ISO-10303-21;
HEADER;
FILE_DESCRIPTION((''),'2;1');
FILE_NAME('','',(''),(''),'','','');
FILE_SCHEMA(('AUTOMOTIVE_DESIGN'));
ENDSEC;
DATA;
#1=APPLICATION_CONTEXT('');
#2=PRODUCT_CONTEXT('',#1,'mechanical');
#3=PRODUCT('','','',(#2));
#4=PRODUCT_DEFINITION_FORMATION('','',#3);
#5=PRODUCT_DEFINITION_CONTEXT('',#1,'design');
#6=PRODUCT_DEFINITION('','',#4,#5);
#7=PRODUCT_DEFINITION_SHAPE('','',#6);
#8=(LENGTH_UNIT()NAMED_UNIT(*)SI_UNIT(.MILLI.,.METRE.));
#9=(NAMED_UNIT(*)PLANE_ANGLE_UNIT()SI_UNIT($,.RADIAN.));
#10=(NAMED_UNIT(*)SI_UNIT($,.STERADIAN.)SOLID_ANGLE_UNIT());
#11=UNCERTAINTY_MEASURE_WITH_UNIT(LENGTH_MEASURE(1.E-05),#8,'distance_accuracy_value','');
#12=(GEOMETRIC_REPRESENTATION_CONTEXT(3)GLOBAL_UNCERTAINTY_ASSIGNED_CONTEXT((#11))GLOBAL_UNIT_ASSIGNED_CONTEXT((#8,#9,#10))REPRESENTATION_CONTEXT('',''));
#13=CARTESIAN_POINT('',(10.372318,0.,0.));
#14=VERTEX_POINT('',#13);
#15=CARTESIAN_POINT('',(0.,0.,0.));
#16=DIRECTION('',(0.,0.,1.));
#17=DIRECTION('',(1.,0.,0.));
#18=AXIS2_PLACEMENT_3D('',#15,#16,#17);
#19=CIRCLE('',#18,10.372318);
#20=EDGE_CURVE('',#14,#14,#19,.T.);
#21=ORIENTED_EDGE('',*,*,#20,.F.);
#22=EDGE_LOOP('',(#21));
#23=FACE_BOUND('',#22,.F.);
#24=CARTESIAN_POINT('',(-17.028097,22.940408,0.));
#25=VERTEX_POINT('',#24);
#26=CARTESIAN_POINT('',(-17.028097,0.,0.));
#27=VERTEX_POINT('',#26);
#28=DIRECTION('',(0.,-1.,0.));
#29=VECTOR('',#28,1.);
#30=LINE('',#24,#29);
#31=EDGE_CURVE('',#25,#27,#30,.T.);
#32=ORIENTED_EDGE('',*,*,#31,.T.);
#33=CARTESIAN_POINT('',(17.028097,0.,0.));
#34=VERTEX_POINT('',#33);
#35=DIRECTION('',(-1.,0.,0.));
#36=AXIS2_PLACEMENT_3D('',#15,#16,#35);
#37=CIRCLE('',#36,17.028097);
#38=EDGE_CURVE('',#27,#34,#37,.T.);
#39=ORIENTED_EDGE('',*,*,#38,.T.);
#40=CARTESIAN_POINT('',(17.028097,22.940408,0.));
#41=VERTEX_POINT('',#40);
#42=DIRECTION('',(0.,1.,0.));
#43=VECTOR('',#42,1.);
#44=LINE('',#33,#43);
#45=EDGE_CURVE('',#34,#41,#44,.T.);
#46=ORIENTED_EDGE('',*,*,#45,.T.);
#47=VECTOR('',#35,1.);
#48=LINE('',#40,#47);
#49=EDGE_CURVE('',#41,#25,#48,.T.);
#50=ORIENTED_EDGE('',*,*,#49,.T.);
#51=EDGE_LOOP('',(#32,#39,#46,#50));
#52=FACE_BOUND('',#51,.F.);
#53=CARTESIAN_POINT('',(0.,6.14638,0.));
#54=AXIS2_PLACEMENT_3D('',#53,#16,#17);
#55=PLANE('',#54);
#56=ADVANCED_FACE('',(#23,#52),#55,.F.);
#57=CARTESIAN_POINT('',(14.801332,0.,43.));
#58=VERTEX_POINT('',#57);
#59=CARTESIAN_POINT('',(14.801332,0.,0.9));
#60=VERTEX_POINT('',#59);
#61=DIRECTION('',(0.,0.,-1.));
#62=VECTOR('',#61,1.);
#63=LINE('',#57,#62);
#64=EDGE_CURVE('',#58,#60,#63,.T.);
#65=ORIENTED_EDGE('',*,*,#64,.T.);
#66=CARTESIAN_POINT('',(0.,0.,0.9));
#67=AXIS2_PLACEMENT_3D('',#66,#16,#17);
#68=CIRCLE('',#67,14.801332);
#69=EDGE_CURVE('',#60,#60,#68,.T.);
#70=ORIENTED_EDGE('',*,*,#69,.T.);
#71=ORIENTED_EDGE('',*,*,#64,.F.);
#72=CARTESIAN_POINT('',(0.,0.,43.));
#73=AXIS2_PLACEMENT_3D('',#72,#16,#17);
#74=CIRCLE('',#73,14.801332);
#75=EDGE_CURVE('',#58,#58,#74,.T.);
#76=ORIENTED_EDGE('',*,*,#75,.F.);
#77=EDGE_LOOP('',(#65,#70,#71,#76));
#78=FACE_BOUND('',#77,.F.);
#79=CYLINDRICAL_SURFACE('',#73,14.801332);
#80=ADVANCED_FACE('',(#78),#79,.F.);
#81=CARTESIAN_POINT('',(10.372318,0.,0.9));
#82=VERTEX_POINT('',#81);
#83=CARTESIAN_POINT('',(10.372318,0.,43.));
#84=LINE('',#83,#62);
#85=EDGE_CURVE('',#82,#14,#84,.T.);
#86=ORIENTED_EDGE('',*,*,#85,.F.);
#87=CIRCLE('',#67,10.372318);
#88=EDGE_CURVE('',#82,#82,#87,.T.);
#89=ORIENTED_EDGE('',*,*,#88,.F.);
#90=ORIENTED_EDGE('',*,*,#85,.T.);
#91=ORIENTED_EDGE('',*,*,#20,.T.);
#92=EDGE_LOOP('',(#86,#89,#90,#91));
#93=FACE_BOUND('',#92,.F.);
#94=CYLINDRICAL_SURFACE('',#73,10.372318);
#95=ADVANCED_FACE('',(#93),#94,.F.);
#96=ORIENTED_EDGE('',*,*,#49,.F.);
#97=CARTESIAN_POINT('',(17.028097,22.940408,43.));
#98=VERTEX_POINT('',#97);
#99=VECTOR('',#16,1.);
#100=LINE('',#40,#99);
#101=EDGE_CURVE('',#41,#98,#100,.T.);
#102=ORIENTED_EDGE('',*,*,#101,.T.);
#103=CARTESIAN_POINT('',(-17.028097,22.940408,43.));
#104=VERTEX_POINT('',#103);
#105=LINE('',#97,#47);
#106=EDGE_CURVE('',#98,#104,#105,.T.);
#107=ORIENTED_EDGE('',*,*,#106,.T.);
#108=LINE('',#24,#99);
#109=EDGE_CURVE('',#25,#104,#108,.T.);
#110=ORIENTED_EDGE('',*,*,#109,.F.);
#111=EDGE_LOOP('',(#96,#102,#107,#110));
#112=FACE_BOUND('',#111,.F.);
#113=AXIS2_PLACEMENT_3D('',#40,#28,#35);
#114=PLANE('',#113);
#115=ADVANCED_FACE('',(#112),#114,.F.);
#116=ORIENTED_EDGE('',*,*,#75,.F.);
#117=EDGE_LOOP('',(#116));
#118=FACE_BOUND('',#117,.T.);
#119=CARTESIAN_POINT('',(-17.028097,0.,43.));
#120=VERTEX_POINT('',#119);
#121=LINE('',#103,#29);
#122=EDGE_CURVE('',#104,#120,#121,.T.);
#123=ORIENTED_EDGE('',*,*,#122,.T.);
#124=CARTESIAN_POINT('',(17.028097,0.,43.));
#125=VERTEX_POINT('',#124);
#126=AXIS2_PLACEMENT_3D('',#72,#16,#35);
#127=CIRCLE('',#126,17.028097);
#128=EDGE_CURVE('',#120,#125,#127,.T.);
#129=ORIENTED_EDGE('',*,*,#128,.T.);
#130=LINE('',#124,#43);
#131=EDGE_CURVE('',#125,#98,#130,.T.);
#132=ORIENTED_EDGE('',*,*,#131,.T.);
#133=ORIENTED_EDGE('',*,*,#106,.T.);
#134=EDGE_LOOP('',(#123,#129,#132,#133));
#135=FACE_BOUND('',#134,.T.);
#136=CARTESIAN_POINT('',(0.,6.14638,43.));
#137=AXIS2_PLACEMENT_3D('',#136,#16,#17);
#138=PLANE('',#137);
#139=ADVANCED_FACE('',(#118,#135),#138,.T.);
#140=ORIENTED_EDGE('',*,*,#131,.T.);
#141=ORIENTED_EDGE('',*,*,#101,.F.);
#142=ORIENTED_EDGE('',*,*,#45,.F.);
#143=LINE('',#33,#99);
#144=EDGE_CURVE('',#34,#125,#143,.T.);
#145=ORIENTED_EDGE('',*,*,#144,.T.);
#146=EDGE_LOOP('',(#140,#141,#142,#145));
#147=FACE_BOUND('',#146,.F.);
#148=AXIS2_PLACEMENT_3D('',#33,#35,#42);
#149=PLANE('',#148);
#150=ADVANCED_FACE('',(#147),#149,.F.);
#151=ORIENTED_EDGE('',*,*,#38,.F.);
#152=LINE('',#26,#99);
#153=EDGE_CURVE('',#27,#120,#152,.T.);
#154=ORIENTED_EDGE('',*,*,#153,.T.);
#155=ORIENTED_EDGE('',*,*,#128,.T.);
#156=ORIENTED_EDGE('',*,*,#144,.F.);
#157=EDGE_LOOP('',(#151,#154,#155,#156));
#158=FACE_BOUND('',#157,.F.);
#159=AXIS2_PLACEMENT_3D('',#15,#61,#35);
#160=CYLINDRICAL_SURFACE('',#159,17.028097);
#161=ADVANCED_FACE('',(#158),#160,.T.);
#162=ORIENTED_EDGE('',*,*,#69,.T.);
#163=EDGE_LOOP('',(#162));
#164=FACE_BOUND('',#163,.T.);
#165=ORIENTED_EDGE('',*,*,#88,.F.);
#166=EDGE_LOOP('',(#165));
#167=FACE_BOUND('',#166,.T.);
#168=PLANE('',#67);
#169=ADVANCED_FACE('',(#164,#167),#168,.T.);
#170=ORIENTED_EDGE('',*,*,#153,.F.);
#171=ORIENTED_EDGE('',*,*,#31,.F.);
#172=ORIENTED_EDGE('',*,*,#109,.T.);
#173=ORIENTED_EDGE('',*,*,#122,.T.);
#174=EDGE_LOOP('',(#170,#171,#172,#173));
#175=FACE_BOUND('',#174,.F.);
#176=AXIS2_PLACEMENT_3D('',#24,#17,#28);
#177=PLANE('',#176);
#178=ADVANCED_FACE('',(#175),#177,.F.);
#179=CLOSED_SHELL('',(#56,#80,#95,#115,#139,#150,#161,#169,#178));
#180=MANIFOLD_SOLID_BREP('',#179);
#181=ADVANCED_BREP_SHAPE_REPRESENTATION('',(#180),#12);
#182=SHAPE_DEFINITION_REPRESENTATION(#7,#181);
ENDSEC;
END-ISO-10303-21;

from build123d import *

# Parameters (mm, degrees)
F1_DEPTH = 43
F2_R     = 14.8013323082
F4_DEPTH = 42.1
F3_R     = 10.3723176452
F5_DEPTH = 43.001


with BuildPart() as f1:
    # F0 (on Top) → F1 (new body)
    with BuildSketch(Plane.XY):
        with BuildLine():
            Line((17.0280970633, 0), (17.0280970633, 22.9404084384))
            Line((17.0280970633, 22.9404084384), (-17.0280970633, 22.9404084384))
            Line((-17.0280970633, 22.9404084384), (-17.0280970633, 0))
            ThreePointArc((-17.0280970633, 0), (0, -17.0280970633), (17.0280970633, 0))
        make_face()
    extrude(amount=F1_DEPTH)

    # F2 (on face) → F4 (cut)
    with BuildSketch(Plane.XY.offset(43)):
        Circle(F2_R)
    extrude(amount=-F4_DEPTH, mode=Mode.SUBTRACT)

    # F3 (on face) → F5 (cut, through all)
    with BuildSketch(Plane.XY.offset(43)):
        Circle(F3_R)
    extrude(amount=-F5_DEPTH, mode=Mode.SUBTRACT)


solid = f1.part
